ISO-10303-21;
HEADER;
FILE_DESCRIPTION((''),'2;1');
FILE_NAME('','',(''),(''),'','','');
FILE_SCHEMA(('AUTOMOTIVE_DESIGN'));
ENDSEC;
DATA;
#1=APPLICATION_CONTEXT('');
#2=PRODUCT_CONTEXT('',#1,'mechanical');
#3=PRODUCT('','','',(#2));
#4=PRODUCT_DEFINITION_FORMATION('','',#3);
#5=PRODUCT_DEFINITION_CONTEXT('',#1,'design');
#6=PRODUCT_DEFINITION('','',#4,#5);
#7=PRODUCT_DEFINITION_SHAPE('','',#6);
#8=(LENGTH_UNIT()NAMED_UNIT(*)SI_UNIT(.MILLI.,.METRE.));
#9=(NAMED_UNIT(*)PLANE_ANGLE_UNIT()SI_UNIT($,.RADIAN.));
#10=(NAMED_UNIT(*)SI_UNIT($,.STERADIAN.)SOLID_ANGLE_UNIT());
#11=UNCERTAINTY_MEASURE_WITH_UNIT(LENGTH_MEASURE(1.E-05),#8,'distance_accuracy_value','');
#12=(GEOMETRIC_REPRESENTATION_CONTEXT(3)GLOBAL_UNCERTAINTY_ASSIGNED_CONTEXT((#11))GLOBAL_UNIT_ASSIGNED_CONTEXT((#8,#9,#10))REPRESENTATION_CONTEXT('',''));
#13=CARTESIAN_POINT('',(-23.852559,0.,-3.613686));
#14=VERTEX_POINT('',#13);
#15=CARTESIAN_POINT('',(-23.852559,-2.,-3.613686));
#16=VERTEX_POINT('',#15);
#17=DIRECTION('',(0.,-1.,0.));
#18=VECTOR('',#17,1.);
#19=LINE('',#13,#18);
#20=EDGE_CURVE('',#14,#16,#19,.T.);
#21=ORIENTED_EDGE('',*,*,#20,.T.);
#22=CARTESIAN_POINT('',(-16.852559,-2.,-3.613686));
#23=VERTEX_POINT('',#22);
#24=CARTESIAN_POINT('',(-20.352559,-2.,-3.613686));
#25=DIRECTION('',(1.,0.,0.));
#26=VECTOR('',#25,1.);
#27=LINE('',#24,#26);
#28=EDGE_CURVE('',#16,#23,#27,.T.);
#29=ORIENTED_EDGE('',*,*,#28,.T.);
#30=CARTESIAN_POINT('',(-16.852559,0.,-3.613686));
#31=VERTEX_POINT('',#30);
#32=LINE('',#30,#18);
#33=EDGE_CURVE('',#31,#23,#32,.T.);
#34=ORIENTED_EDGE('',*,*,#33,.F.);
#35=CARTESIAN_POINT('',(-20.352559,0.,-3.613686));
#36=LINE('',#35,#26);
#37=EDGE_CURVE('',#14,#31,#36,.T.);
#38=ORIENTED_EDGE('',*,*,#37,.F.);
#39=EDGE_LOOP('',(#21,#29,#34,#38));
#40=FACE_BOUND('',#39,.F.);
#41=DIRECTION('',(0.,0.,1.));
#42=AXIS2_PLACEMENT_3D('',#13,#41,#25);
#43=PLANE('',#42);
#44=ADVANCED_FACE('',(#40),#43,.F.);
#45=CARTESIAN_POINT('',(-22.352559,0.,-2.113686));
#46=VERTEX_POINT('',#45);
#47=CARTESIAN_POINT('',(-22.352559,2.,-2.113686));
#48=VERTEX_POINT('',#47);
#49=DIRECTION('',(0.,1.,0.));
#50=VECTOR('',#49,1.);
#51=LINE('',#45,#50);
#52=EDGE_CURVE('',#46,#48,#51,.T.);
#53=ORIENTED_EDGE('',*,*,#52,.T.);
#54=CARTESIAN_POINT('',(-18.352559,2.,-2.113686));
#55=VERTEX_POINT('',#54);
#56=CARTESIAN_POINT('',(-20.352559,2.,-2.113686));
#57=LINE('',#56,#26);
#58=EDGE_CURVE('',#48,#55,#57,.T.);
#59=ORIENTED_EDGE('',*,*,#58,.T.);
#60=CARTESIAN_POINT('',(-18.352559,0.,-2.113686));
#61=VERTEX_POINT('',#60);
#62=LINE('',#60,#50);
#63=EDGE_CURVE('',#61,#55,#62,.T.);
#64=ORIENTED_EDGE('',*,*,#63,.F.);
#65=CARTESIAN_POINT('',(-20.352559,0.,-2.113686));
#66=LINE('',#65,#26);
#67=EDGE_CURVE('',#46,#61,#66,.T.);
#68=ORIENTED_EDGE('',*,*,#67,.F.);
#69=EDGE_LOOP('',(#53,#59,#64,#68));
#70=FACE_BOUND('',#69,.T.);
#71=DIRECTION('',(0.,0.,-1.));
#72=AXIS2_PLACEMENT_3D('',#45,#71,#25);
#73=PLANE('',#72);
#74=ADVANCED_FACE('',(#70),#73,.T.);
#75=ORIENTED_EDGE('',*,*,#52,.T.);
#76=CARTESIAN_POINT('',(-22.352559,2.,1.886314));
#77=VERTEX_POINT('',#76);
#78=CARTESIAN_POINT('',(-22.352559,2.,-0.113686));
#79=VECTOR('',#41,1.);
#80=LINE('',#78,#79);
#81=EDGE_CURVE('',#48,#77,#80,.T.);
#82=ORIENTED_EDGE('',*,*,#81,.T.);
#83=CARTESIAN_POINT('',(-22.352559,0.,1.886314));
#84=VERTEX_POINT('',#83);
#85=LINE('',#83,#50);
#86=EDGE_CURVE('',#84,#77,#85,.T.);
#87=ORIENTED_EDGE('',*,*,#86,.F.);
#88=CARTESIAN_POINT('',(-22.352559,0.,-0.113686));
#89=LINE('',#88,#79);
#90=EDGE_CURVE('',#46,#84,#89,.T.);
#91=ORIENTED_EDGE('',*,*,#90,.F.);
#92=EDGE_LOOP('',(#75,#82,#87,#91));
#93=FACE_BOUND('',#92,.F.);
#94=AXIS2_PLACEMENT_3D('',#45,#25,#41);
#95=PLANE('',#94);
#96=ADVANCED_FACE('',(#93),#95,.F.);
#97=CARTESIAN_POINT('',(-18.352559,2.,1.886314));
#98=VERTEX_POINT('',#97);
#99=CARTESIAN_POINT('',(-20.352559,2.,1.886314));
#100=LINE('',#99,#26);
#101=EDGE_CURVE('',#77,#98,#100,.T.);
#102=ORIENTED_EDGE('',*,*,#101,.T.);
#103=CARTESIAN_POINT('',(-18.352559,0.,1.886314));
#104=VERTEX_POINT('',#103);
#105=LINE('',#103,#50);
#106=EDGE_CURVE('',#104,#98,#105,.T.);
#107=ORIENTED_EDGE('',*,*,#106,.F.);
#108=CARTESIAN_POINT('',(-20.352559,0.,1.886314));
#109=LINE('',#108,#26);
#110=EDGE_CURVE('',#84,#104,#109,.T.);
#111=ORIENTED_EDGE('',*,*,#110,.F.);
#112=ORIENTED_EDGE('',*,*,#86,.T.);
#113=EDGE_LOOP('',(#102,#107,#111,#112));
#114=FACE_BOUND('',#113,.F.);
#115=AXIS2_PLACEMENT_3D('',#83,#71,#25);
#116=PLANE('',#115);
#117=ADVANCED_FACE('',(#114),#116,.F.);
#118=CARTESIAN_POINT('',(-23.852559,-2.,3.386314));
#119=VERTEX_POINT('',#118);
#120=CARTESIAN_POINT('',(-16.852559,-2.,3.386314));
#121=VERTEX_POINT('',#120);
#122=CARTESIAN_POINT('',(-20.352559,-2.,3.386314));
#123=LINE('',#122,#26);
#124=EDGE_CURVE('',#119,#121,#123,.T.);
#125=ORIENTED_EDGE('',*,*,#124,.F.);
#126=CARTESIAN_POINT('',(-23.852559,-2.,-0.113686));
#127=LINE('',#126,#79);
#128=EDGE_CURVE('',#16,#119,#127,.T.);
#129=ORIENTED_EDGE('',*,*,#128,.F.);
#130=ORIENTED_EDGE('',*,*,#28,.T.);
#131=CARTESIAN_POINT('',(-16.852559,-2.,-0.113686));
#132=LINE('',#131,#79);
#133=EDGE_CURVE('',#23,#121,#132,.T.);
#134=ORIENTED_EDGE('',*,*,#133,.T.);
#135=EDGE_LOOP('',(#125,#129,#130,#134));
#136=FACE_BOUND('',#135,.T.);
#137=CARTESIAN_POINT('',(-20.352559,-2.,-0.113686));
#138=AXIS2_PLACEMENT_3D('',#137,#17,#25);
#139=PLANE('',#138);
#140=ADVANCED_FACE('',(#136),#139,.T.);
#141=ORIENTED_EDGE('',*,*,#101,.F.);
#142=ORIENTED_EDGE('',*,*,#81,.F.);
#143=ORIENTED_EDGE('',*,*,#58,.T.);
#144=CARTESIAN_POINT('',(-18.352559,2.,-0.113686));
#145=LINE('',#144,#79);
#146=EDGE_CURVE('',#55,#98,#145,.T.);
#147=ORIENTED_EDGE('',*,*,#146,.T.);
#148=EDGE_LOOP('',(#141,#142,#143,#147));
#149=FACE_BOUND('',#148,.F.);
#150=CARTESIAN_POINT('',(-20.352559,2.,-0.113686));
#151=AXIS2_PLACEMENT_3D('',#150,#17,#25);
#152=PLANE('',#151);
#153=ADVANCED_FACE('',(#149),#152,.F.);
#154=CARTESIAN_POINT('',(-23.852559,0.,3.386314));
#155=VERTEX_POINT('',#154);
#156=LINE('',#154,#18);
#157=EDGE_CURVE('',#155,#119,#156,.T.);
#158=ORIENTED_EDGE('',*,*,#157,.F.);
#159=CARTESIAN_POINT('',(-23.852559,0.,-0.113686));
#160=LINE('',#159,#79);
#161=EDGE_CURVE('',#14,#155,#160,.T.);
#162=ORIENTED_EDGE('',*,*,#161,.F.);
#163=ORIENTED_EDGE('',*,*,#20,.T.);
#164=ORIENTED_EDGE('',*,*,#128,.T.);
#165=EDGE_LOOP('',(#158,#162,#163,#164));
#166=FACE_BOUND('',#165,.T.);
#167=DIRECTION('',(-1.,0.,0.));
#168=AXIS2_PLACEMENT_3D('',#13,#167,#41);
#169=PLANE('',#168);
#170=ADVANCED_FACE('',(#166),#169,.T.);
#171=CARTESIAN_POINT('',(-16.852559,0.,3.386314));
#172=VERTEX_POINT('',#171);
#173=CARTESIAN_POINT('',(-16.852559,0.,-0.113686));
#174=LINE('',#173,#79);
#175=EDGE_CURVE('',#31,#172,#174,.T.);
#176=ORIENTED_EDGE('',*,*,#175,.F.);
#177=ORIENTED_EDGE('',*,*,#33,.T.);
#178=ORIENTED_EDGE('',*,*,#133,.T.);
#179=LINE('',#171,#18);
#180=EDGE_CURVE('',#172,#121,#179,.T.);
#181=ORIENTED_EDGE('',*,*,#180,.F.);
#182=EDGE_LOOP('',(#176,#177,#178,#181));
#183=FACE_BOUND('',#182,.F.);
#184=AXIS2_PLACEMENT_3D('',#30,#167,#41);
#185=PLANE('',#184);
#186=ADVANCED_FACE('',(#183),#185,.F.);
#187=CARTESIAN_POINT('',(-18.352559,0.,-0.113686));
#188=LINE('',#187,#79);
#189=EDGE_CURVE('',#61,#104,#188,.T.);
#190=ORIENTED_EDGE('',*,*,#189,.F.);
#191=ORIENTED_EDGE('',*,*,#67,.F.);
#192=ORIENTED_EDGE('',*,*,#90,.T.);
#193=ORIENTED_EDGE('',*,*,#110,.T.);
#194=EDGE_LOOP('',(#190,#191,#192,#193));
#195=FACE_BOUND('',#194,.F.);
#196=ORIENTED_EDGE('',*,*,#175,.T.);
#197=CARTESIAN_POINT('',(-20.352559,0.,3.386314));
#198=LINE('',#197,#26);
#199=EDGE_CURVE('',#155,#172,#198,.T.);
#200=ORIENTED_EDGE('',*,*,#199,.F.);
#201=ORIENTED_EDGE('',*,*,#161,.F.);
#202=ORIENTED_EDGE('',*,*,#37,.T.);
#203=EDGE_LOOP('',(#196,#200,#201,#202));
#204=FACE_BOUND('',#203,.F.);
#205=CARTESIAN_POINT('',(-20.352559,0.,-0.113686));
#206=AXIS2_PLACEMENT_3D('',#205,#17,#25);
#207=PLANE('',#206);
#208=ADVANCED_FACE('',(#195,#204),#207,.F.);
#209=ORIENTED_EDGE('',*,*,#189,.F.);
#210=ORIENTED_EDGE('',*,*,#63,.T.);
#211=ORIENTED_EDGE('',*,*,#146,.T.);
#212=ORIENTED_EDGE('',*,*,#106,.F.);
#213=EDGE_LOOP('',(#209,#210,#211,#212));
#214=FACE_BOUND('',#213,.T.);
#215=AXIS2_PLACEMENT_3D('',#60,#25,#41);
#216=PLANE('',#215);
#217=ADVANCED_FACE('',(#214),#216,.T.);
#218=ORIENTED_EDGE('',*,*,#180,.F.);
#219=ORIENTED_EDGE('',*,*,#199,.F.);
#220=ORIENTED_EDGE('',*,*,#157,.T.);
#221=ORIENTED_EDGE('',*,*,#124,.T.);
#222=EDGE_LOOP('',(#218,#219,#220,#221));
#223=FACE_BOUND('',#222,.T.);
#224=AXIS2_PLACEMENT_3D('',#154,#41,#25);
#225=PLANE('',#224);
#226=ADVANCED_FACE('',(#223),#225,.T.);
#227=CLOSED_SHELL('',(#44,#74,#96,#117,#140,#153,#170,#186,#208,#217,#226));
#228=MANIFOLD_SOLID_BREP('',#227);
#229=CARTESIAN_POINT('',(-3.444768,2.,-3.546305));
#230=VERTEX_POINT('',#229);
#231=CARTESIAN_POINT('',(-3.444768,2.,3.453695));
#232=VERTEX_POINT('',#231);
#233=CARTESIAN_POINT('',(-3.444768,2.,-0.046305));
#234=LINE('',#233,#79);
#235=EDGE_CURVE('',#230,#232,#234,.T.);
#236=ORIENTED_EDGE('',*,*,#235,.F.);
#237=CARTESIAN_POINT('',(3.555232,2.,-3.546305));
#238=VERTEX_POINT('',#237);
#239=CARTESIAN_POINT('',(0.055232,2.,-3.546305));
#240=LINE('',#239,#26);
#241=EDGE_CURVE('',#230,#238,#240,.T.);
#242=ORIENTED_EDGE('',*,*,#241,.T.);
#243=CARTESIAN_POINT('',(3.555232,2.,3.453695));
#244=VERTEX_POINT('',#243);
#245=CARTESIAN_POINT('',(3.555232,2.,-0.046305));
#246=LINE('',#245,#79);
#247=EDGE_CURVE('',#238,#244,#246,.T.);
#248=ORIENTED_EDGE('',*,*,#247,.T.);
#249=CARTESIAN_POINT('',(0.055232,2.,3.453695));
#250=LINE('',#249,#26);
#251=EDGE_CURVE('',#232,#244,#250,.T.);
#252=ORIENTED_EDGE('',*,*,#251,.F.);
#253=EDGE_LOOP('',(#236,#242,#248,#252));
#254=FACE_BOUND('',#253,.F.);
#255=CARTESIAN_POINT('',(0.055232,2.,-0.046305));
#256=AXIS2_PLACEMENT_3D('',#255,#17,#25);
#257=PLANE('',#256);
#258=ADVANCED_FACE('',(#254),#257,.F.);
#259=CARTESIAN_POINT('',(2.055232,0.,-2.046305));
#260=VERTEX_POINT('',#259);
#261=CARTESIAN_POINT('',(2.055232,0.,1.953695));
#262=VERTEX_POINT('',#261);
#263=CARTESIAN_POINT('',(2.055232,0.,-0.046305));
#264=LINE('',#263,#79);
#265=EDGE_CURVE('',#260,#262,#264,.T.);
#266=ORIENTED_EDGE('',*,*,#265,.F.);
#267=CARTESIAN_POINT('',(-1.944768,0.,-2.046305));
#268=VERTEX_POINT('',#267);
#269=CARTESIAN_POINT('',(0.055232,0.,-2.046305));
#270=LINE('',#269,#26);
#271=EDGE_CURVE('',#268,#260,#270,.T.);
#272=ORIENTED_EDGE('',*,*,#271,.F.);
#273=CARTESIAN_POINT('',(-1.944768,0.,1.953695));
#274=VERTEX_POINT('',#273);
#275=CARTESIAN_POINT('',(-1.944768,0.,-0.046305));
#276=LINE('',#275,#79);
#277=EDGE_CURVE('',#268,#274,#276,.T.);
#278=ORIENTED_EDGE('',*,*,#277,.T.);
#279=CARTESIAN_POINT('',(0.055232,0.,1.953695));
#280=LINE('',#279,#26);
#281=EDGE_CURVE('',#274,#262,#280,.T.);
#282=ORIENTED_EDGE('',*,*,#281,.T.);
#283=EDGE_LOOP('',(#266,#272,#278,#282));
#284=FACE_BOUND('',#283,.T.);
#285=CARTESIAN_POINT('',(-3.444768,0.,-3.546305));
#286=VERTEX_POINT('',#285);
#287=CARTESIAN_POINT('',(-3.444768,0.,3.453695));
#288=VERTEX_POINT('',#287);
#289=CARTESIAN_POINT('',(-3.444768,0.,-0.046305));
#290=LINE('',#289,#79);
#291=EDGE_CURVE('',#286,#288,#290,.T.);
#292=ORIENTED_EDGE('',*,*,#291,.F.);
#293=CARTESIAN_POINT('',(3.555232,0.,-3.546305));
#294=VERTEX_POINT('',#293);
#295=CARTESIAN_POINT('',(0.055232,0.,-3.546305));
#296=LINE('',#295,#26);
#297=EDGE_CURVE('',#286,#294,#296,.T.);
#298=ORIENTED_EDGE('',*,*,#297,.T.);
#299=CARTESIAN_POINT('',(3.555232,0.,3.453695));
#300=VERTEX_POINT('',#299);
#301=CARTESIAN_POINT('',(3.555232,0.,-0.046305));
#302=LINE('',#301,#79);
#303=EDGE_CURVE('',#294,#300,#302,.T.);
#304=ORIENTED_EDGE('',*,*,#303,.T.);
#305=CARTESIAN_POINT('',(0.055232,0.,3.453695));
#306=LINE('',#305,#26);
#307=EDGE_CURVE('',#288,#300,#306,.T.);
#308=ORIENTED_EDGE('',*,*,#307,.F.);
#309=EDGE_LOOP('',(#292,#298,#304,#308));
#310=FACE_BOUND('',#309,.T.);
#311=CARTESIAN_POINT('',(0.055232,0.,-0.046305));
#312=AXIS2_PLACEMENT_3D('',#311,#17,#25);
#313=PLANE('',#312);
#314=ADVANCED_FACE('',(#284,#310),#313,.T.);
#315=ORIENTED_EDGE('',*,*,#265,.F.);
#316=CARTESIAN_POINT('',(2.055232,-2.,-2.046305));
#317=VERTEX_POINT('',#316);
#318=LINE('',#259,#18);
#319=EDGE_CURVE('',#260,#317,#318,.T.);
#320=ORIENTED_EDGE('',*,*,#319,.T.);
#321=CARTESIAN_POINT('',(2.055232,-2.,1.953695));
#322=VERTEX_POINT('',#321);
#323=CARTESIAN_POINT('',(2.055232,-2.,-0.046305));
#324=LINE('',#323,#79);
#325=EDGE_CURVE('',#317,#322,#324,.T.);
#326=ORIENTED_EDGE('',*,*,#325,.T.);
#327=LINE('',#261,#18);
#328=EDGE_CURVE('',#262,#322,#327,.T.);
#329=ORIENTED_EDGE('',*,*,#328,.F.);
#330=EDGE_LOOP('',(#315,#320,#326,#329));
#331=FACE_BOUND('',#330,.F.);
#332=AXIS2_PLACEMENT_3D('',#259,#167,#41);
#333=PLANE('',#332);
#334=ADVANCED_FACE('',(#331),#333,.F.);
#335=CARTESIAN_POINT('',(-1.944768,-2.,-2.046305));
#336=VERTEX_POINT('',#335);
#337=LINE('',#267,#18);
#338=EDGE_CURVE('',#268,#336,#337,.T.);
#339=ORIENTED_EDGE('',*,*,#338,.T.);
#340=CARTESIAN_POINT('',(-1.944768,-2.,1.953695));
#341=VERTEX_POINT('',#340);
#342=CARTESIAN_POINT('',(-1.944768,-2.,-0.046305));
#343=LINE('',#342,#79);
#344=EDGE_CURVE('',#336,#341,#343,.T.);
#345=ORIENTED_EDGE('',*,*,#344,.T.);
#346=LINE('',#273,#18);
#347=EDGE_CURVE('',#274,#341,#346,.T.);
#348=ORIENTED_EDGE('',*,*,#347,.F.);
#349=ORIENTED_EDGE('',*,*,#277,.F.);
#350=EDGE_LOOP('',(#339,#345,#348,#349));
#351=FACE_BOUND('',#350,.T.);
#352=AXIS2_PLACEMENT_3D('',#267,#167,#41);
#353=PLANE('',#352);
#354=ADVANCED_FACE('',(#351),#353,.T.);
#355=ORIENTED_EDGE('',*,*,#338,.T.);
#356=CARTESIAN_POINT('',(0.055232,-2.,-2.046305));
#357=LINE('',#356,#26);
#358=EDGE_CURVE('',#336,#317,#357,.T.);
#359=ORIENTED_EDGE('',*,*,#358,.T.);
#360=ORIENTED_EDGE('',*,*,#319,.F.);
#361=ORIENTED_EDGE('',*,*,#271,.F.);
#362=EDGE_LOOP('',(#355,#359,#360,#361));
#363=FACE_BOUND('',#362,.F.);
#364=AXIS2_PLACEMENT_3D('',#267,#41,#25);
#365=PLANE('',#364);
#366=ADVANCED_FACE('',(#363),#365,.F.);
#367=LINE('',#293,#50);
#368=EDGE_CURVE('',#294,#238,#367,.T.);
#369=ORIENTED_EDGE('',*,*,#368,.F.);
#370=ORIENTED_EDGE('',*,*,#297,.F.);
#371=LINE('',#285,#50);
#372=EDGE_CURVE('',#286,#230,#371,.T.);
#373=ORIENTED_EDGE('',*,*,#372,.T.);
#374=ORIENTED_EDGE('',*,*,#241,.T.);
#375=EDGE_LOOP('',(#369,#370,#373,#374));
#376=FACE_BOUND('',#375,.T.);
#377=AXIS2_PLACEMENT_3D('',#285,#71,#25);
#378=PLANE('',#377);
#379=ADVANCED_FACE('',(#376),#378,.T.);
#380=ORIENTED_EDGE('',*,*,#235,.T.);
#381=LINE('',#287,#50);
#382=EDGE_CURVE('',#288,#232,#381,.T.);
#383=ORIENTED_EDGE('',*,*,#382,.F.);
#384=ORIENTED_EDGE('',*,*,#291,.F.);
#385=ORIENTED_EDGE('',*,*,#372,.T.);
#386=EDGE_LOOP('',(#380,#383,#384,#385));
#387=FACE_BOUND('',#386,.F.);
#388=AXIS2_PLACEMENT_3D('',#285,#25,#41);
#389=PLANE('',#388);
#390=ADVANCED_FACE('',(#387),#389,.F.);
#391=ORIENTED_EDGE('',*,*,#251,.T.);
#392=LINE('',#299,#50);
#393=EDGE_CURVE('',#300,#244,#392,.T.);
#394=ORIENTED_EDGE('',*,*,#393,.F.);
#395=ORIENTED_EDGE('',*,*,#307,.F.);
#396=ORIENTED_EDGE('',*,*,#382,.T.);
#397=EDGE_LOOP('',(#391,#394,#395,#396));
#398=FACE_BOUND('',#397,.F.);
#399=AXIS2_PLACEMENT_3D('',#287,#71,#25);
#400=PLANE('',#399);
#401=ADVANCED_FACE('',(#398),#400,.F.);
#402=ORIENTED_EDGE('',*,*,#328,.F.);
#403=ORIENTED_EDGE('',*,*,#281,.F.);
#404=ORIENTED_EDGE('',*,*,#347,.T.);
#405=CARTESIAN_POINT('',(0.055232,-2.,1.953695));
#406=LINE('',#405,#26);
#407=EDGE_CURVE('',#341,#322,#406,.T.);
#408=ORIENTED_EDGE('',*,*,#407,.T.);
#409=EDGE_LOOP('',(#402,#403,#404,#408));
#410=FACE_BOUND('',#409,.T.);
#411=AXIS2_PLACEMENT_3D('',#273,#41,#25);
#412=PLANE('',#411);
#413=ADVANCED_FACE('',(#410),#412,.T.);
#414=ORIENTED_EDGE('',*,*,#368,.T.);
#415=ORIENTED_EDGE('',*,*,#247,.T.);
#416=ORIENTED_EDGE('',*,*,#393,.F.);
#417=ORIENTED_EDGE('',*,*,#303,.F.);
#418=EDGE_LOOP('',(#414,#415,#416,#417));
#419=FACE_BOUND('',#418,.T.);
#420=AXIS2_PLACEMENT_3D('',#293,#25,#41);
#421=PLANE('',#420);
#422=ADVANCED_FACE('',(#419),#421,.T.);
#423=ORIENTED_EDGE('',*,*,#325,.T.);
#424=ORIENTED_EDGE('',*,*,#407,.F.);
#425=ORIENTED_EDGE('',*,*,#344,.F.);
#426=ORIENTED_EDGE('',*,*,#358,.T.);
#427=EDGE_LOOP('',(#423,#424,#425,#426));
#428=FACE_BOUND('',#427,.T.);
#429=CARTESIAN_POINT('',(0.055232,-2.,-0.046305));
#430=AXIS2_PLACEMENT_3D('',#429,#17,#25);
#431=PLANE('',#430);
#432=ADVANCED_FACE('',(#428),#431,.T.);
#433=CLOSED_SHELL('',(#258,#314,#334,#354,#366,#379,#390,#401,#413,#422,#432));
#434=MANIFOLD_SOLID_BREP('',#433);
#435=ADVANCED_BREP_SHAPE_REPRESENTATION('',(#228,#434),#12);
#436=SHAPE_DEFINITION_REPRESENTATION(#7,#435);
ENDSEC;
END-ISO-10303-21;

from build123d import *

# Parameters (mm, degrees)
F0_W     = 4
F0_H     = 4
F1_DEPTH = 2
F0_W_2   = 7
F0_H_2   = 7
F2_DEPTH = 2
F3_DEPTH = 2
F4_DEPTH = 2


with BuildPart() as f1:
    # F0 (on Front) → F1 (new body)
    with BuildSketch(Plane.XZ):
        with Locations((0.055232, -0.046305)):
            Rectangle(F0_W, F0_H)
    extrude(amount=F1_DEPTH)

    # F0 (on Front) → F2 (join)
    with BuildSketch(Plane.XZ):
        with Locations((0.055232, -0.046305)):
            Rectangle(F0_W_2, F0_H_2)
        with Locations((0.055232, -0.046305)):
            Rectangle(F0_W, F0_H, mode=Mode.SUBTRACT)
        with Locations((0.055232, -0.046305)):
            Rectangle(F0_W, F0_H)
    extrude(amount=-F2_DEPTH)


with BuildPart() as f3:
    # F0 (on Front) → F3 (new body)
    with BuildSketch(Plane.XZ):
        with Locations((-20.352559, -0.113686)):
            Rectangle(F0_W, F0_H)
    extrude(amount=-F3_DEPTH)

    # F0 (on Front) → F4 (join)
    with BuildSketch(Plane.XZ):
        with Locations((-20.352559, -0.113686)):
            Rectangle(F0_W_2, F0_H_2)
        with Locations((-20.352559, -0.113686)):
            Rectangle(F0_W, F0_H, mode=Mode.SUBTRACT)
        with Locations((-20.352559, -0.113686)):
            Rectangle(F0_W, F0_H)
    extrude(amount=F4_DEPTH)


solid = Compound([f1.part, f3.part])
